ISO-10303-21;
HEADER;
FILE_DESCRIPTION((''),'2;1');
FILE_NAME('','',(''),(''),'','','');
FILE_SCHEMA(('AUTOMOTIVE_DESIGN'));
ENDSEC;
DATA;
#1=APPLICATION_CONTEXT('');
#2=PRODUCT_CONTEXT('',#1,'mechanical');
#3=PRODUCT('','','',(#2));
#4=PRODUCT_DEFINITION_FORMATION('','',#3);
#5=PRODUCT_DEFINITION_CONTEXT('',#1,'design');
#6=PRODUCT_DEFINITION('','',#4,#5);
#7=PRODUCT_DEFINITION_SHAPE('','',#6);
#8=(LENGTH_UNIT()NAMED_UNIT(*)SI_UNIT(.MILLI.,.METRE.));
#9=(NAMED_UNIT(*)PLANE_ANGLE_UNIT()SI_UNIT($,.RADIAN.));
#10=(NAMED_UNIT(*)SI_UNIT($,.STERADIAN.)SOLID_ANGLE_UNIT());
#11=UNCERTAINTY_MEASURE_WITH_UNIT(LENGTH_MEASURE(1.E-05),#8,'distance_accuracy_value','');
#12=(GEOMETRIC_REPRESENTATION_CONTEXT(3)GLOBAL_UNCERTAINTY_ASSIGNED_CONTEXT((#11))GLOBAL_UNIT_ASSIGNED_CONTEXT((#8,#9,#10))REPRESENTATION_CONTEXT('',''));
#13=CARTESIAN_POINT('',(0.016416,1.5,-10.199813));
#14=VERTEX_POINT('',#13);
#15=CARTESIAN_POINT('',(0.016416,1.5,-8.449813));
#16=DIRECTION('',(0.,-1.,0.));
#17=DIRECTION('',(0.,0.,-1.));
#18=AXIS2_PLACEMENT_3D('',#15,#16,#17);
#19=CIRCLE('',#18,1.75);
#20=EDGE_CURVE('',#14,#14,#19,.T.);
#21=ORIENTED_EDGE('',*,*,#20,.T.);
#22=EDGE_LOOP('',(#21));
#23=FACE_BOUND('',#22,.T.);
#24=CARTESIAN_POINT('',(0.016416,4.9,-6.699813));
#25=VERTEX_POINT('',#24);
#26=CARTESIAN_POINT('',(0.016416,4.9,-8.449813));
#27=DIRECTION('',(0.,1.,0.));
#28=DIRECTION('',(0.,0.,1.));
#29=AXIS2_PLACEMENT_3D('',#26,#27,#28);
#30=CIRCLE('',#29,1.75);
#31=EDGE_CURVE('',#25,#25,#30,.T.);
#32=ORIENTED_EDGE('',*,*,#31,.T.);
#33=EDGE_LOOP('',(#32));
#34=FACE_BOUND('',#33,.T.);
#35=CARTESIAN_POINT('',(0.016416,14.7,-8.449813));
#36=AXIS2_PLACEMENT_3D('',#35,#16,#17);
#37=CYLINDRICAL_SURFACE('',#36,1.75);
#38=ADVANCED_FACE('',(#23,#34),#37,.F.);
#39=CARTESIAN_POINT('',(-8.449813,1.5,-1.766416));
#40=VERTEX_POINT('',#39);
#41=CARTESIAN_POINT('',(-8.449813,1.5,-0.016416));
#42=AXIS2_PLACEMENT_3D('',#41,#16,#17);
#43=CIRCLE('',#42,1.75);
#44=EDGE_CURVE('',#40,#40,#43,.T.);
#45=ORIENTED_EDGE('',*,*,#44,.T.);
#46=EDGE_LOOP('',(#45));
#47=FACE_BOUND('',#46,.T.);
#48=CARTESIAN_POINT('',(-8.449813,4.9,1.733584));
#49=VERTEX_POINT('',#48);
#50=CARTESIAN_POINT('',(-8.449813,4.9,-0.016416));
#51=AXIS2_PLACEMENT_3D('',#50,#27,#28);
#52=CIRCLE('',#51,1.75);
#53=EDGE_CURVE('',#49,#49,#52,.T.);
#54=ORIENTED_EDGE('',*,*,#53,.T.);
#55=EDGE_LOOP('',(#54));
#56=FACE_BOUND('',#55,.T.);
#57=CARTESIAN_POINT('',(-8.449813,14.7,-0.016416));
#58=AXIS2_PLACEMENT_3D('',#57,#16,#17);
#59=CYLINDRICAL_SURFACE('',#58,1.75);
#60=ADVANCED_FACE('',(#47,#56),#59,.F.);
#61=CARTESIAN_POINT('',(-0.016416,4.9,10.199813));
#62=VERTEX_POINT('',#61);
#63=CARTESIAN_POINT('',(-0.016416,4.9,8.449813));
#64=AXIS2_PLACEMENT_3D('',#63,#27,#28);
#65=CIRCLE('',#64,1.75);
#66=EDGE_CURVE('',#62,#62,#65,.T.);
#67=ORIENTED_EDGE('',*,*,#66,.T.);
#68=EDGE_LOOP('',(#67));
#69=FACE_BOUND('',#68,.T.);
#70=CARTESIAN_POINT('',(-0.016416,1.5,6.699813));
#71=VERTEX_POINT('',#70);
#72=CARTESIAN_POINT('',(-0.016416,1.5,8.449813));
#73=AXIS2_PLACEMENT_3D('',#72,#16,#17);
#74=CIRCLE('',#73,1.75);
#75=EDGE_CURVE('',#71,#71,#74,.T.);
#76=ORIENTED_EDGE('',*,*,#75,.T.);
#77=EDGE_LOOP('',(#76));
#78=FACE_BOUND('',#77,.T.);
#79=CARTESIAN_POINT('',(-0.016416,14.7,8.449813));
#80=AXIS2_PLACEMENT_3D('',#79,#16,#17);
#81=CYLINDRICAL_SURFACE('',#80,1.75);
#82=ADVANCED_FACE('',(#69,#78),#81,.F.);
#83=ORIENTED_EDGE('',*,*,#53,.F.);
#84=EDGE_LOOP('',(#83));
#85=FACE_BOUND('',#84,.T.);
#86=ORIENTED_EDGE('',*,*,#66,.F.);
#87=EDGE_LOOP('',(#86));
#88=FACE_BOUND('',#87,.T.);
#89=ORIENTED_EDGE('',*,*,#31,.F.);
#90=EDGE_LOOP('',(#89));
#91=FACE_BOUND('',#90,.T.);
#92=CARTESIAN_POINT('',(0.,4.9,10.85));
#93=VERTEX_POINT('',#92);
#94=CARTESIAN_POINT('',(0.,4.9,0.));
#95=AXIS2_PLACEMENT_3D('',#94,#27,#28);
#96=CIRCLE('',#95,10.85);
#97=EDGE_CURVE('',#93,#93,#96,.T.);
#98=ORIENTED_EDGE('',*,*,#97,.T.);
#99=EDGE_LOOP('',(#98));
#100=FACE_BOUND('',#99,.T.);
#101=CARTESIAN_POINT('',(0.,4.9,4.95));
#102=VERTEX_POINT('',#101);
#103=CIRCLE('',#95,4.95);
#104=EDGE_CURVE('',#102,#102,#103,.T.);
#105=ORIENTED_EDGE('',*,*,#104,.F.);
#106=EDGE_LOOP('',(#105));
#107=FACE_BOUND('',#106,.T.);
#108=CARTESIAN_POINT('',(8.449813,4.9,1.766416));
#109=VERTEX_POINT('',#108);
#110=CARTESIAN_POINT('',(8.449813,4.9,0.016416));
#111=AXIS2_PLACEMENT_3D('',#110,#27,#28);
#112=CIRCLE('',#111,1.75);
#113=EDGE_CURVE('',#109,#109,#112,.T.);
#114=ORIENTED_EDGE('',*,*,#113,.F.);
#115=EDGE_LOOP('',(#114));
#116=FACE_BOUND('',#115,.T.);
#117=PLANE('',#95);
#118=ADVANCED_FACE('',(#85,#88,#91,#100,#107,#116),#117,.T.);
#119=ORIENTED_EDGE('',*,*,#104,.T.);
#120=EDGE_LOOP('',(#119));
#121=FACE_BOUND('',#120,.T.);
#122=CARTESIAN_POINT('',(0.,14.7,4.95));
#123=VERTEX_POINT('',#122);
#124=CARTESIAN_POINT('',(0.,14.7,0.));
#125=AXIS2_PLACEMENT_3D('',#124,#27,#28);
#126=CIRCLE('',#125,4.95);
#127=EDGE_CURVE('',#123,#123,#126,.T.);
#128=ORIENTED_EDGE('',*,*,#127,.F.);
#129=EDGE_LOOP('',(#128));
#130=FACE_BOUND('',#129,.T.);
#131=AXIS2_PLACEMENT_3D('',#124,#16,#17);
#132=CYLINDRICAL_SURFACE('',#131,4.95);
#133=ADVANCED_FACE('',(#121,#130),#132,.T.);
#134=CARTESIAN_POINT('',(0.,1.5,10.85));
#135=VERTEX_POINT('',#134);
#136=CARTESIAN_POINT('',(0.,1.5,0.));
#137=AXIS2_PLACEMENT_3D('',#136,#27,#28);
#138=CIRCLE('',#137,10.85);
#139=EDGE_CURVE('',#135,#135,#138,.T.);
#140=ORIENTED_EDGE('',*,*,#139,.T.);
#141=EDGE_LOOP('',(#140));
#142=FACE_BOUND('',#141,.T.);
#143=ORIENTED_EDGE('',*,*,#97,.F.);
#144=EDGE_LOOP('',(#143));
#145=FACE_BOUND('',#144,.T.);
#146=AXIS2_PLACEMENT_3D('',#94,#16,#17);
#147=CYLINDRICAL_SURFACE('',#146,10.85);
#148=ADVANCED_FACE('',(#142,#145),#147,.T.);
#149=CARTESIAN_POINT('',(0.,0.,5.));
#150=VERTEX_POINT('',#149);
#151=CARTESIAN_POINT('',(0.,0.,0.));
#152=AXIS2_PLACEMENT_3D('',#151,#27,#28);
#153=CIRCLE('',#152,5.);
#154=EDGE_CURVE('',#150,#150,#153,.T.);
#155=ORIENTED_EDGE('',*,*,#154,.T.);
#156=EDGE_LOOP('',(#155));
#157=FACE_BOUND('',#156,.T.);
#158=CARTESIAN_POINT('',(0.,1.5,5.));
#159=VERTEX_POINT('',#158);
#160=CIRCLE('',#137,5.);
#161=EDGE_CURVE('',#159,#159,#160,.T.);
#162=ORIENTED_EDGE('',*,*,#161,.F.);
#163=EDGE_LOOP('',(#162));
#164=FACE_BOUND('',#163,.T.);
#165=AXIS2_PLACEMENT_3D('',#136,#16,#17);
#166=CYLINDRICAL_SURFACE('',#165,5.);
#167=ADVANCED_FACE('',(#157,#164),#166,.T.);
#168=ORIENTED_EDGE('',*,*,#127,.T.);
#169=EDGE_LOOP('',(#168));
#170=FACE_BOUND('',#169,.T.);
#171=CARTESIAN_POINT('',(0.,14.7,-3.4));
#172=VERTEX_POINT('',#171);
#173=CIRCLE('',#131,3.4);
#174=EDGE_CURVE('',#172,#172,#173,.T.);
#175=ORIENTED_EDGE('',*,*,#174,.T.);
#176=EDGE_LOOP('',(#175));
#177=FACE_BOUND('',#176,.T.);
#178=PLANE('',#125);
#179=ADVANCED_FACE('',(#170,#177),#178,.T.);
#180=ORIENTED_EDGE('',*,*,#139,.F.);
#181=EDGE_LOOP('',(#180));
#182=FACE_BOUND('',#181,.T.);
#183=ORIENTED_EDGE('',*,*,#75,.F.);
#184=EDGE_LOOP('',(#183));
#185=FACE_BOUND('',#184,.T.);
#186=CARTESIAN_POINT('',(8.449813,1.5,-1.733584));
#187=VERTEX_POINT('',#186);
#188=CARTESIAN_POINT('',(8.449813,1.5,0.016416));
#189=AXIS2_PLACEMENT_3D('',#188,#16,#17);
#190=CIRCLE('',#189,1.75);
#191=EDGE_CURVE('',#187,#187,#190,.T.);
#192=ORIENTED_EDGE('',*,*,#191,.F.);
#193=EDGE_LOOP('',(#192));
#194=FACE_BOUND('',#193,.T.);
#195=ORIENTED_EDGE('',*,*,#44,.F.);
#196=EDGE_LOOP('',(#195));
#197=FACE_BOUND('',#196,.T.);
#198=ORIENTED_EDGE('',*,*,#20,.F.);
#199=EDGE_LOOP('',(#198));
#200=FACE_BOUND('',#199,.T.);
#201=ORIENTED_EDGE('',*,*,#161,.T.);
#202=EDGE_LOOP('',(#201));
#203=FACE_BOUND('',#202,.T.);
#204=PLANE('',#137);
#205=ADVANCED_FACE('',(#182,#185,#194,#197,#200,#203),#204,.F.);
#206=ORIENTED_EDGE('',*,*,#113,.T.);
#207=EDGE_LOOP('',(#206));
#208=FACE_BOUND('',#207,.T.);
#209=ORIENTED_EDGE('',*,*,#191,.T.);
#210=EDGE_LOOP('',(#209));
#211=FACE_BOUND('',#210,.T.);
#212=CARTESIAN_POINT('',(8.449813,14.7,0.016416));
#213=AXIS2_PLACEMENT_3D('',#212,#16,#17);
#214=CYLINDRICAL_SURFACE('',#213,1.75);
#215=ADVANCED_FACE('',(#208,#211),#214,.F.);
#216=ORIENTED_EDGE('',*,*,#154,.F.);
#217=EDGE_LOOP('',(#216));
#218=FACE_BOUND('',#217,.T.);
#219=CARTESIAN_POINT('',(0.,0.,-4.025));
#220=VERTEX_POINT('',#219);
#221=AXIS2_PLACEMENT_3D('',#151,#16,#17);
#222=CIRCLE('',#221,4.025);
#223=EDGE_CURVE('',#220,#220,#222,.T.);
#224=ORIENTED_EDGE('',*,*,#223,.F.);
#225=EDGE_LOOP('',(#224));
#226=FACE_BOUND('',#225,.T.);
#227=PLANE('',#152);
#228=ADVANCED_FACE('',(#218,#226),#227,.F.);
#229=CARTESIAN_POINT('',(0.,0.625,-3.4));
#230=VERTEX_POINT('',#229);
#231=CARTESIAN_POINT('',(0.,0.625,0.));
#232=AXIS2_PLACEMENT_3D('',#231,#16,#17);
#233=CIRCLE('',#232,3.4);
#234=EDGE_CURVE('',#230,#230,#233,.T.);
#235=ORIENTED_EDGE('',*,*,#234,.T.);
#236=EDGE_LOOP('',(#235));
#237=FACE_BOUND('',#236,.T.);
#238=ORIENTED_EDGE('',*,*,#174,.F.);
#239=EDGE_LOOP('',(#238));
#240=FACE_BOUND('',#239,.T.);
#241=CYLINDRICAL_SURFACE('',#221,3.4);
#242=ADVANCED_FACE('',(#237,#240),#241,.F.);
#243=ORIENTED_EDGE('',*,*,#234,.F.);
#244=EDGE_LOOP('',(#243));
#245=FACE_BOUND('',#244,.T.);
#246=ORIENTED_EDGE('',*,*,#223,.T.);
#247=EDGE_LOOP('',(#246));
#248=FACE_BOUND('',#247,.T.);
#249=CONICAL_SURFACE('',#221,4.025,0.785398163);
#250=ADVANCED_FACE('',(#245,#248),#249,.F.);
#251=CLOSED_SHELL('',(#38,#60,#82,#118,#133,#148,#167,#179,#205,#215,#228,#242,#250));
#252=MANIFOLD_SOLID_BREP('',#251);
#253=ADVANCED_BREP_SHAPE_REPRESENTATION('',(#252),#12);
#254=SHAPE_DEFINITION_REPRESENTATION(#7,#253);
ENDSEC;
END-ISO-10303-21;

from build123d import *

# Parameters (mm, degrees)
SKETCH1_R                   = 5
BOSS_EXTRUDE1_DEPTH         = 1.5
SKETCH2_R                   = 10.85
BOSS_EXTRUDE2_DEPTH         = 3.4
SKETCH3_R                   = 4.95
BOSS_EXTRUDE3_DEPTH         = 9.8
M8_TAPPED_HOLE1_D           = 6.8
M8_TAPPED_HOLE1_CSINK_D     = 8.05
M8_TAPPED_HOLE1_CSINK_ANGLE = 90
SKETCH6_R                   = 1.75
CUT_EXTRUDE1_DEPTH          = 21.240676866


with BuildPart() as part:
    # Sketch1 → Boss-Extrude1 (new body)
    with BuildSketch(Plane(origin=(0, 0, 0), x_dir=(1, 0, 0), z_dir=(0, 1, 0))):
        with Locations(Location((0, 0, 0), (0, 0, 270))):
            Circle(SKETCH1_R)
    extrude(amount=BOSS_EXTRUDE1_DEPTH)

    # Sketch2 → Boss-Extrude2 (add)
    with BuildSketch(Plane(origin=(0, 1.5, 0), x_dir=(1, 0, 0), z_dir=(0, 1, 0))):
        with Locations(Location((0, 0, 0), (0, 0, 270))):
            Circle(SKETCH2_R)
    extrude(amount=BOSS_EXTRUDE2_DEPTH)

    # Sketch3 → Boss-Extrude3 (add)
    with BuildSketch(Plane(origin=(0, 4.9, 0), x_dir=(1, 0, 0), z_dir=(0, 1, 0))):
        with Locations(Location((0, 0, 0), (0, 0, 270))):
            Circle(SKETCH3_R)
    extrude(amount=BOSS_EXTRUDE3_DEPTH)

    # M8 Tapped Hole1 (through all)
    with Locations(Plane(origin=(0, 0, 0), x_dir=(0, 0, -1), z_dir=(0, -1, 0))):
        with Locations((0, 0)):
            CounterSinkHole(M8_TAPPED_HOLE1_D / 2, M8_TAPPED_HOLE1_CSINK_D / 2, counter_sink_angle=M8_TAPPED_HOLE1_CSINK_ANGLE)

    # Sketch6 → Cut-Extrude1 (cut, through all)
    with BuildSketch(Plane.XZ.offset(-1.5)):
        with Locations(Location((-0.016416422, 8.449812512, 0), (0, 0, 270))):
            Circle(SKETCH6_R)
        with Locations(Location((8.449812512, 0.016416422, 0), (0, 0, 270))):
            Circle(SKETCH6_R)
        with Locations(Location((0.016416422, -8.449812512, 0), (0, 0, 270))):
            Circle(SKETCH6_R)
        with Locations(Location((-8.449812512, -0.016416422, 0), (0, 0, 270))):
            Circle(SKETCH6_R)
    extrude(amount=-CUT_EXTRUDE1_DEPTH, mode=Mode.SUBTRACT)


solid = part.part
